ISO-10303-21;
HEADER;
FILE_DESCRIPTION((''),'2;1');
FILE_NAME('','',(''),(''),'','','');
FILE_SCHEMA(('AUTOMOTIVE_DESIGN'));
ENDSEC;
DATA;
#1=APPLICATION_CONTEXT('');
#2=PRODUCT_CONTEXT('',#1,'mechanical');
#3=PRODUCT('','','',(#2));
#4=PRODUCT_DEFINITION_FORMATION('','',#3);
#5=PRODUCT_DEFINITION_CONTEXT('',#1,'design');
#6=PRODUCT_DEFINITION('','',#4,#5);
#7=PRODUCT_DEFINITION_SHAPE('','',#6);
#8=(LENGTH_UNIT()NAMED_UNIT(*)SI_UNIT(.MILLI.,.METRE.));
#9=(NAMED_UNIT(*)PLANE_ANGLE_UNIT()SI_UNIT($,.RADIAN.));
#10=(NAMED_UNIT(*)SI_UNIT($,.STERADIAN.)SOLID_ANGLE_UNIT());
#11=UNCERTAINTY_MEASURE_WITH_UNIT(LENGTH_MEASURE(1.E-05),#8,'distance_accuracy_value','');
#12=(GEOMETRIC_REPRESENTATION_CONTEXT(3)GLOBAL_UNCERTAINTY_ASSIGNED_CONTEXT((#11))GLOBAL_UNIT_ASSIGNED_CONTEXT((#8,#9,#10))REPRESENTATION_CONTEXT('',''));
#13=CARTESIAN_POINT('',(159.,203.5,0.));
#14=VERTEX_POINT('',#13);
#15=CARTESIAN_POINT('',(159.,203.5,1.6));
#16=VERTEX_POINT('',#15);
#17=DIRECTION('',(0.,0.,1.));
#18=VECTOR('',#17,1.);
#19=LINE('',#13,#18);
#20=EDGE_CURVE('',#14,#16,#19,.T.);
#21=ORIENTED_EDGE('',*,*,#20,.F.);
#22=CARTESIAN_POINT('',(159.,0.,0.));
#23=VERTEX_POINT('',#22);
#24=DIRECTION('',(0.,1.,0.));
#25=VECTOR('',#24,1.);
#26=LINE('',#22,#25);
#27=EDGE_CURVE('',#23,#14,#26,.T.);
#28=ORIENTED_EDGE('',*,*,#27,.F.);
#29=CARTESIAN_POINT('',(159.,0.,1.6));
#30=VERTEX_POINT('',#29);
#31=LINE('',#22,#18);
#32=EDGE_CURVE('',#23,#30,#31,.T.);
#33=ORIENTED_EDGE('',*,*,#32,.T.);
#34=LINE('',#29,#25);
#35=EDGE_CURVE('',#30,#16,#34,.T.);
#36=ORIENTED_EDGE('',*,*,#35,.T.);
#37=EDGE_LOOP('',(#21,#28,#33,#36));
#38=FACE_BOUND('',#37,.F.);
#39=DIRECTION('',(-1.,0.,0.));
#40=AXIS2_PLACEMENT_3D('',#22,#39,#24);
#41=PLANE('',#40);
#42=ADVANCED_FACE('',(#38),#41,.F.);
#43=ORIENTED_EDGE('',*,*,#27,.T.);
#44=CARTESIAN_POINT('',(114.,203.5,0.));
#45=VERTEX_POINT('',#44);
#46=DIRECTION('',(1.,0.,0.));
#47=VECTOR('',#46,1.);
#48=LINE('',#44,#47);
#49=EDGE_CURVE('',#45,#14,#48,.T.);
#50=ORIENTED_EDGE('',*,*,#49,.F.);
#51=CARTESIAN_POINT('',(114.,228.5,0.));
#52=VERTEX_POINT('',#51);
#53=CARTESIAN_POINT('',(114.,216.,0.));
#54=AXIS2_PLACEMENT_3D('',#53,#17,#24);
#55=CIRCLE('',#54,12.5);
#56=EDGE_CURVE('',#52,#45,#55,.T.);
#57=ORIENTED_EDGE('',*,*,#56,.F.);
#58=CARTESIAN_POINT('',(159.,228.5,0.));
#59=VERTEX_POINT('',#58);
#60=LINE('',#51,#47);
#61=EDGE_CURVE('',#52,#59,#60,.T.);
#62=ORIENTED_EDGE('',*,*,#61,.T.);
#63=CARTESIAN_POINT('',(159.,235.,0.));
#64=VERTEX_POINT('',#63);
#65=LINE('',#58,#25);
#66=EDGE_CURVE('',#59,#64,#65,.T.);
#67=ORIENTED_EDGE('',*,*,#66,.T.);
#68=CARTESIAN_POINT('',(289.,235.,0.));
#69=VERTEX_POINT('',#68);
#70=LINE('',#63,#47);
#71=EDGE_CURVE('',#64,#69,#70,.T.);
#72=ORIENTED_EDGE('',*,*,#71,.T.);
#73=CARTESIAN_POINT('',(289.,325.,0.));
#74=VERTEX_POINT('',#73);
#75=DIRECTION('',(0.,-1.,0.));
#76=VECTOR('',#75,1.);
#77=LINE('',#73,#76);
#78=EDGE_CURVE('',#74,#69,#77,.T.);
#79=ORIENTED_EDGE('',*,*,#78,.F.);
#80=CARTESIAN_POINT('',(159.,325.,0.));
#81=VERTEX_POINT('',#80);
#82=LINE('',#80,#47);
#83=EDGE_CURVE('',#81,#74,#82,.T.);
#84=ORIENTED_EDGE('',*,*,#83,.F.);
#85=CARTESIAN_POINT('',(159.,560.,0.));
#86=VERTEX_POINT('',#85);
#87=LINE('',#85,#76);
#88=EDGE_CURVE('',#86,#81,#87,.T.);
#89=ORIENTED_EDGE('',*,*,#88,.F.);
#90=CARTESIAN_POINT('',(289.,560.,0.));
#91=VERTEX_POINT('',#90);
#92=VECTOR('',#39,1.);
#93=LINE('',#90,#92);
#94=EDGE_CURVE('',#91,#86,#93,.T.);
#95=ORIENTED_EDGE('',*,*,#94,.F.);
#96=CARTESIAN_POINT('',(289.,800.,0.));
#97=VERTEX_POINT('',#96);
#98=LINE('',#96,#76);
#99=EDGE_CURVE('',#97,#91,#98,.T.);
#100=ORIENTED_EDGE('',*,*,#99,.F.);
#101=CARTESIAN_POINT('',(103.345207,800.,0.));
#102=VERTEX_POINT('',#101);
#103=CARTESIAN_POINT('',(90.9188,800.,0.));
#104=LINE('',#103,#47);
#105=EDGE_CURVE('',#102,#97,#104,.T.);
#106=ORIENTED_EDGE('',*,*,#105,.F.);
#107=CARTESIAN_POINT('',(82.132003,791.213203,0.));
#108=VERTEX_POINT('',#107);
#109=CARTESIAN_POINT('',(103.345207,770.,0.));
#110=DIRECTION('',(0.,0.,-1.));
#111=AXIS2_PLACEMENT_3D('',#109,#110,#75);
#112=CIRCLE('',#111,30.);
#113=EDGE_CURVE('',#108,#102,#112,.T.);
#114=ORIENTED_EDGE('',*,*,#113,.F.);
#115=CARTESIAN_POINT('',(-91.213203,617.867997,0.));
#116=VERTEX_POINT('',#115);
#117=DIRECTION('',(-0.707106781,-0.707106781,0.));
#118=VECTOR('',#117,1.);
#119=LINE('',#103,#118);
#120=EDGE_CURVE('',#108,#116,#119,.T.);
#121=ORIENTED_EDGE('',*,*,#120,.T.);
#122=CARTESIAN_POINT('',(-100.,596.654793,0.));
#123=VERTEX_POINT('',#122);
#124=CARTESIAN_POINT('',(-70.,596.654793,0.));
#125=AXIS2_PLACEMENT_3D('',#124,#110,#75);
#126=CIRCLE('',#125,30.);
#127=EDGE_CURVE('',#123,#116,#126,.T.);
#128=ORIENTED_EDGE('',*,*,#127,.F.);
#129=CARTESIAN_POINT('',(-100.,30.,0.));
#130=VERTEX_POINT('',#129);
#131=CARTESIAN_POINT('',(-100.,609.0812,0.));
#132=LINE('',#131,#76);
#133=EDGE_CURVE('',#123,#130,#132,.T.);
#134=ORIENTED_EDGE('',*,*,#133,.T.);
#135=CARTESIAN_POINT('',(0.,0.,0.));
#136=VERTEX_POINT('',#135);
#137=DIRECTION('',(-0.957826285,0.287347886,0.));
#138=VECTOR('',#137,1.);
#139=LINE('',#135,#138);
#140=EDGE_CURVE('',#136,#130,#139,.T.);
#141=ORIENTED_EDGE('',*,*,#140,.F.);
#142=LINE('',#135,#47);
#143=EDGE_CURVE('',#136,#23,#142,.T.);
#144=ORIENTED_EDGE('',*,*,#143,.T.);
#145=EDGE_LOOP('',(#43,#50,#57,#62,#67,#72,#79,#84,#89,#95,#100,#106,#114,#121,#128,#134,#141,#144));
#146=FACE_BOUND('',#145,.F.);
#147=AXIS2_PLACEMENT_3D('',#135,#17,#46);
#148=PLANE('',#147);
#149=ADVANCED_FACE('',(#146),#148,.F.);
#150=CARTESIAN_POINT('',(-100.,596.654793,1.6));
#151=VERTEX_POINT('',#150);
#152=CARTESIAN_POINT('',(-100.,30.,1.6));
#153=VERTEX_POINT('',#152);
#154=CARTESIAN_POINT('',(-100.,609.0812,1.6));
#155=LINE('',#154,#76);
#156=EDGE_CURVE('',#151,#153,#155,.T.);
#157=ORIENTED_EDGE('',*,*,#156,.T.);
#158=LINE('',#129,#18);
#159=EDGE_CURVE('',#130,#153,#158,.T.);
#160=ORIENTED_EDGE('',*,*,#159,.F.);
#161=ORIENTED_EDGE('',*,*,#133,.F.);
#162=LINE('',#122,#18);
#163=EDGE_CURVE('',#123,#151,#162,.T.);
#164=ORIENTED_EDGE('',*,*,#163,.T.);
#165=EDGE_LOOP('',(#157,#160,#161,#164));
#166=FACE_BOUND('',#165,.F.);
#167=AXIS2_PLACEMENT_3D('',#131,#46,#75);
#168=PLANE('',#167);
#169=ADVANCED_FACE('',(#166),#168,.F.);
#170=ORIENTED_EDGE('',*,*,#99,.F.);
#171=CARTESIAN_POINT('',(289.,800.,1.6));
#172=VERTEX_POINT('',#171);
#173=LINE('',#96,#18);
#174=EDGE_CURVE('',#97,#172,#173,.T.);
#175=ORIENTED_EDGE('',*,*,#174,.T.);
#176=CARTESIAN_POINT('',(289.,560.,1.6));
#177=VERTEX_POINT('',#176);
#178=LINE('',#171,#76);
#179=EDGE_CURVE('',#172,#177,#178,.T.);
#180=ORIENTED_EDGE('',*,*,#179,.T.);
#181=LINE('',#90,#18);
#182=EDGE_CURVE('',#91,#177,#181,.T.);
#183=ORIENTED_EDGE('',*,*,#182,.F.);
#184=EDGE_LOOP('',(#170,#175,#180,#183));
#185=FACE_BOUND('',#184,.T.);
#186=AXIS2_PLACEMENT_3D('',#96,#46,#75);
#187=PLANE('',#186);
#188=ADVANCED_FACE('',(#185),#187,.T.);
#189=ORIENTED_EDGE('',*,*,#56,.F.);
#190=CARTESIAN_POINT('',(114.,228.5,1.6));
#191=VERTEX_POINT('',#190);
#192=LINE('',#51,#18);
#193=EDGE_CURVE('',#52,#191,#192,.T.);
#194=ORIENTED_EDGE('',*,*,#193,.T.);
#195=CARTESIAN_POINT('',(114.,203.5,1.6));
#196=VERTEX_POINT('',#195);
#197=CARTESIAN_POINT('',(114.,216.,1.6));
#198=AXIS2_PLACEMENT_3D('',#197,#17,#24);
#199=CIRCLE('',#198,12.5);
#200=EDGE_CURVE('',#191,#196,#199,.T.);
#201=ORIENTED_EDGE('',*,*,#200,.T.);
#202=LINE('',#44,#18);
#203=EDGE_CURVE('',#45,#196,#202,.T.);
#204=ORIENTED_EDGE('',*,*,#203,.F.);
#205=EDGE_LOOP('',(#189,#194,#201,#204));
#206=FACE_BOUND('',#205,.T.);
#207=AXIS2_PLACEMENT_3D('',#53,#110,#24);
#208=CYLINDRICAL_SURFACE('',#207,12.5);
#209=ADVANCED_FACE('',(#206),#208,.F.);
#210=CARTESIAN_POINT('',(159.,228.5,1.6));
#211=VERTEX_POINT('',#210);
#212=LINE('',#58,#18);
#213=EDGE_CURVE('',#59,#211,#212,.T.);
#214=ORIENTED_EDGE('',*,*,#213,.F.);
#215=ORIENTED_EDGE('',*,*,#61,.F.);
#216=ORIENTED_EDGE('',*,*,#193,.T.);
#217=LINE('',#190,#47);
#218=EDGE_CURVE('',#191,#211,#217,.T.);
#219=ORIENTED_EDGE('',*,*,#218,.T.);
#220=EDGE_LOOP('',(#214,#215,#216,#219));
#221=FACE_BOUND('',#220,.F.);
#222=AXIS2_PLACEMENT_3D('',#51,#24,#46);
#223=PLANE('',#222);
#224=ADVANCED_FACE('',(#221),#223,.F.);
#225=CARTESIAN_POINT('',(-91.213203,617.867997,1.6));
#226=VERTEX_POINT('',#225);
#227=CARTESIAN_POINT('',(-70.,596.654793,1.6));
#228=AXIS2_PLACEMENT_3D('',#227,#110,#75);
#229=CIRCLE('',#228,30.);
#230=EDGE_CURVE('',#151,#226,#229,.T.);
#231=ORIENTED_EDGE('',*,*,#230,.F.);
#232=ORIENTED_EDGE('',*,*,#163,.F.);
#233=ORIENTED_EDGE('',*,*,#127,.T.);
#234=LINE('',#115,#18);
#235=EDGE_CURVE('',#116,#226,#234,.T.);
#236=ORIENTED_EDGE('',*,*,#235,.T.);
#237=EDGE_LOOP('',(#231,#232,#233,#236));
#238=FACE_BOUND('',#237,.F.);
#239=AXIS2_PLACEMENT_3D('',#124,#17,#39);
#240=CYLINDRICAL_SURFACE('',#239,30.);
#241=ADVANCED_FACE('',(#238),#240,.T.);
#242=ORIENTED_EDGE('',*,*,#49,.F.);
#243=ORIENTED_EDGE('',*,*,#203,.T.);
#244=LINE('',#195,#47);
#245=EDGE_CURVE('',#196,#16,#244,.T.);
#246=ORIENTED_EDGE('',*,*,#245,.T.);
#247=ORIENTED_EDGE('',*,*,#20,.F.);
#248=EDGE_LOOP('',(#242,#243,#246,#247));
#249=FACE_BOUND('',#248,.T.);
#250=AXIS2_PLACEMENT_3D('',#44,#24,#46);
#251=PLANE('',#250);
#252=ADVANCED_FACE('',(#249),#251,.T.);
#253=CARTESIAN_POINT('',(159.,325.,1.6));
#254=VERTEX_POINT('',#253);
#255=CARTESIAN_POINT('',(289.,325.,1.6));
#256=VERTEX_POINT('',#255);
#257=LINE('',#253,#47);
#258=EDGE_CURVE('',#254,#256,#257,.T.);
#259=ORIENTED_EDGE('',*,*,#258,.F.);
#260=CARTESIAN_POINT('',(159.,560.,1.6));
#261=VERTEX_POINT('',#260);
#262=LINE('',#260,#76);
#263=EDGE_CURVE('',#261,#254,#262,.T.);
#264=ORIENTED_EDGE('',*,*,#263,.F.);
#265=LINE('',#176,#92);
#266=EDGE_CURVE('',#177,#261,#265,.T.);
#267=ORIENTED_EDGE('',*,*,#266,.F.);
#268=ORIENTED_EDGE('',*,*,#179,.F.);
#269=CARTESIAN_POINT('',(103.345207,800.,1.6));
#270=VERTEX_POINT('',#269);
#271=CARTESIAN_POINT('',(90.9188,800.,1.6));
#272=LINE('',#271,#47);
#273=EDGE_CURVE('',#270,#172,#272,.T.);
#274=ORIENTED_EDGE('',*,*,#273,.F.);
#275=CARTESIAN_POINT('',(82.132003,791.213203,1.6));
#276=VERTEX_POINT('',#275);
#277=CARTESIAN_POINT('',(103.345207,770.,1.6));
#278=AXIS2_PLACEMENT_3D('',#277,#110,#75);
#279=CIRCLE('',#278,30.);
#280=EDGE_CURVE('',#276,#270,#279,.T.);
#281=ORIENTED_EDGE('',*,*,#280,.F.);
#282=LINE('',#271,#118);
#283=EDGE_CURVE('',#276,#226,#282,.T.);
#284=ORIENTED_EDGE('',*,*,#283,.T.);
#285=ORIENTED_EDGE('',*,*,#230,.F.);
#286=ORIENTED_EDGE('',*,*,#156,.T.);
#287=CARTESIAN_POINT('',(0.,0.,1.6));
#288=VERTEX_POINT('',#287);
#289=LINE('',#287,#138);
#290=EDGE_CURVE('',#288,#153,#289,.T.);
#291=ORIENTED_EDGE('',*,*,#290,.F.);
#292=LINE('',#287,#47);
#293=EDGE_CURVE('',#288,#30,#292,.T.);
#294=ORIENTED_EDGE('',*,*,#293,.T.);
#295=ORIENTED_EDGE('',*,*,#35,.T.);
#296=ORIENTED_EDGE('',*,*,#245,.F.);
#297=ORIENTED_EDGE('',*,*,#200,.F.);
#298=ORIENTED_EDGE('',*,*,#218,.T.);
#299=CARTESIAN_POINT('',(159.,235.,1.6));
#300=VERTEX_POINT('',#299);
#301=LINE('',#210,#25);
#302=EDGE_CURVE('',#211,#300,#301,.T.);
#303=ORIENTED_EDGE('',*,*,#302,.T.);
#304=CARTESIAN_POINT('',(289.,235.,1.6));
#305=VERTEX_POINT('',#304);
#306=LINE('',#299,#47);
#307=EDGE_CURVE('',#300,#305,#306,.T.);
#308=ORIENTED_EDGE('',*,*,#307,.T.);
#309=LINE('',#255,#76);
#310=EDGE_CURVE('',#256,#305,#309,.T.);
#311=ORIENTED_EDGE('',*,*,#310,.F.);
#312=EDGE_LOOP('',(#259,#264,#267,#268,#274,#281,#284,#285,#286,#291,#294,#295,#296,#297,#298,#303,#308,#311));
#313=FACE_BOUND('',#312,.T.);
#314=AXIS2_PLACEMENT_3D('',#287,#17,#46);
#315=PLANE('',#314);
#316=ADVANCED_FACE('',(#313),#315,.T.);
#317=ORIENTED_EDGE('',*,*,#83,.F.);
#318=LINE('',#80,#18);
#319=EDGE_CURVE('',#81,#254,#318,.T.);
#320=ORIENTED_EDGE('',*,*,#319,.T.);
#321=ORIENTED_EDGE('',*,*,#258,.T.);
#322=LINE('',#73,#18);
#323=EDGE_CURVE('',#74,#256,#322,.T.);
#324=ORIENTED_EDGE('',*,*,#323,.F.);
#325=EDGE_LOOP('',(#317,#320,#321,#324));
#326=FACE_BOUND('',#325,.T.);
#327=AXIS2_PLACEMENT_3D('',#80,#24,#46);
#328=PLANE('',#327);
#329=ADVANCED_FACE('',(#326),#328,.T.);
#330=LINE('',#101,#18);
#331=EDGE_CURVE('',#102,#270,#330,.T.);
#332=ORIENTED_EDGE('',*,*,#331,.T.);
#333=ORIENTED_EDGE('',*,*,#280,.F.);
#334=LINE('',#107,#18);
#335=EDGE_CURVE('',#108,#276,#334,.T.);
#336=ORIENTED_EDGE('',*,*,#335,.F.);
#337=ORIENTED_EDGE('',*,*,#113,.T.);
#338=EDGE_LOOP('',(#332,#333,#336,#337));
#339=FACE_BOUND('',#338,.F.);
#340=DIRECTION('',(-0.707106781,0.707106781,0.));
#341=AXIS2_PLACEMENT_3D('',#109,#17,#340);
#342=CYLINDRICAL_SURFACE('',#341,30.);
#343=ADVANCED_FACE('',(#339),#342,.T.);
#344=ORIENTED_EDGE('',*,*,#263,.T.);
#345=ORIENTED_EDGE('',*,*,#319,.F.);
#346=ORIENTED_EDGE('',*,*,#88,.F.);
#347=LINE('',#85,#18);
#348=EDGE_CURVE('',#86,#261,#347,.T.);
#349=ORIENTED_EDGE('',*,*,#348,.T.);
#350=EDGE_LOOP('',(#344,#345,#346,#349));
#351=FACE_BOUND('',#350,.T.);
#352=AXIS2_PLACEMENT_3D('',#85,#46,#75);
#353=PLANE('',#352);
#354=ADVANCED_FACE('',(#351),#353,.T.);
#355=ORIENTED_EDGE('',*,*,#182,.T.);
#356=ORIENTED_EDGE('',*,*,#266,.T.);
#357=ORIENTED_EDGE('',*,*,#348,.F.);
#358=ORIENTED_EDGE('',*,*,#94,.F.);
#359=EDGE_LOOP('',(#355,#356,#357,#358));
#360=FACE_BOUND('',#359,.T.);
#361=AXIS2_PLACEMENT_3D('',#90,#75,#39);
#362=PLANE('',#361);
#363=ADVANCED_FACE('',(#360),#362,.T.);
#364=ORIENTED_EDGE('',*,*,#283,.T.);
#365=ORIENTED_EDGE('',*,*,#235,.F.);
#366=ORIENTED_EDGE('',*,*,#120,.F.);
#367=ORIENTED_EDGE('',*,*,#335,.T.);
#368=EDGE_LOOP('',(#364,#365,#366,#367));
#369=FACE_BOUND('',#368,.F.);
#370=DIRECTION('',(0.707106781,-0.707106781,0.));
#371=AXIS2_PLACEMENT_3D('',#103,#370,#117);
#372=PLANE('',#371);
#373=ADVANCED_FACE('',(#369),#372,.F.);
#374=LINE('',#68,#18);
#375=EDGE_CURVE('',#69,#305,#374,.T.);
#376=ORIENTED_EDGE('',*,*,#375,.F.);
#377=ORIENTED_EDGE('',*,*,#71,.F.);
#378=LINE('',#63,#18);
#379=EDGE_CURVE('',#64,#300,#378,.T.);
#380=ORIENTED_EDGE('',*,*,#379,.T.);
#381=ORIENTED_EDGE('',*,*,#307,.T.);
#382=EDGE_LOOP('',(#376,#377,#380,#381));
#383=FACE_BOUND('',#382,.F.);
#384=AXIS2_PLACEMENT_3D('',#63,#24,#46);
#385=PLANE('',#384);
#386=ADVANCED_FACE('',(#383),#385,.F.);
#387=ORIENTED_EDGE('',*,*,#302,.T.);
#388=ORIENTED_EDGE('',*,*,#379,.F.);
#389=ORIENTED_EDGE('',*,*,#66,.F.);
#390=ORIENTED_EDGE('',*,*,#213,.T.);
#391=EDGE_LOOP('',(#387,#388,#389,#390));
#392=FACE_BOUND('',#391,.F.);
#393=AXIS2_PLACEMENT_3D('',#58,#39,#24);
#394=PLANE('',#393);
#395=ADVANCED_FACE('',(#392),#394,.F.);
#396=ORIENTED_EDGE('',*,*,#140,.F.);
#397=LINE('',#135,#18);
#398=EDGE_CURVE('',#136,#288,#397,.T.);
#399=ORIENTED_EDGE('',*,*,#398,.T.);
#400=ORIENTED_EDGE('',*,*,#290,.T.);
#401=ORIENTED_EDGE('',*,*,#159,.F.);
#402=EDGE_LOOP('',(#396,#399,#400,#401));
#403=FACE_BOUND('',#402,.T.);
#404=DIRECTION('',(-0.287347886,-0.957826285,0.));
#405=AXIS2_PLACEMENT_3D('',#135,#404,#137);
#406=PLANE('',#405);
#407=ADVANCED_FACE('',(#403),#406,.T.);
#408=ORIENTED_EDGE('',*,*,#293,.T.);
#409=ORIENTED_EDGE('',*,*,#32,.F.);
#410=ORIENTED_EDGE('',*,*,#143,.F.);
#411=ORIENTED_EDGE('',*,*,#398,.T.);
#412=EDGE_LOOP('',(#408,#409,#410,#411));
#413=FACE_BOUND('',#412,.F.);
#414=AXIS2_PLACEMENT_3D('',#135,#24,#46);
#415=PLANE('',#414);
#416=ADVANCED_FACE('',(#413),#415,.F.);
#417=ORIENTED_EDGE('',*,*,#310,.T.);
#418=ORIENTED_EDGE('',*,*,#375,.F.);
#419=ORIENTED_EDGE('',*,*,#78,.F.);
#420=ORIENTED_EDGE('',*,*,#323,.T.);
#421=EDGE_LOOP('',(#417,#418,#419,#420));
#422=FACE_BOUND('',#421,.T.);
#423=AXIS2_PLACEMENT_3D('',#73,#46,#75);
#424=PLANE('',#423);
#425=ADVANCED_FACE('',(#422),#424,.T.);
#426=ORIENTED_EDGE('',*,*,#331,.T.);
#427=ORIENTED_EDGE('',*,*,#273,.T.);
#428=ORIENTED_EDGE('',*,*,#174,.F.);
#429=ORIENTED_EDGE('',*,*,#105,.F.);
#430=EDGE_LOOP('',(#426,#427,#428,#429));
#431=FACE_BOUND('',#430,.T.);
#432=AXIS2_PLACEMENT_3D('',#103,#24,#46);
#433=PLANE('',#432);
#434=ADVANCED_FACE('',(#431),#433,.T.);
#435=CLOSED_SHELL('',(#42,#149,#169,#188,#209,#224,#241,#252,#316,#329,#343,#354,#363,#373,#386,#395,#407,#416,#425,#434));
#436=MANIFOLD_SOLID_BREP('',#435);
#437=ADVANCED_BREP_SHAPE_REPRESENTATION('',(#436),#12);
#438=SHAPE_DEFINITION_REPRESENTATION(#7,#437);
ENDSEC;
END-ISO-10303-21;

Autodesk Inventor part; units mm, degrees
ref_plane "YZ Plane" through (0, 0, 0) normal (1, 0, 0) x (0, 1, 0)
ref_plane "XZ Plane" through (0, 0, 0) normal (0, 1, 0) x (-1, 0, 0)
ref_plane "XY Plane" through (0, 0, 0) normal (0, 0, 1) x (1, 0, 0)
sketch "Sketch1" plane through (0, 0, 0) normal (0, 0, 1) x (1, 0, 0)
  line L0 (0, 0) -> (159, 0)
  line L1 (0, 0) -> (-100, 30)
  line L2 (0, 0) -> (236.9147, 0) construction
  line L3 (-100, 609.0812) -> (-100, 30)
  line L4 (90.9188, 800) -> (289, 800)
  line L5 (289, 800) -> (289, 560)
  line L6 (289, 560) -> (159, 560)
  line L7 (159, 235) -> (289, 235)
  line L8 (289, 325) -> (289, 235)
  line L9 (114, 203.5) -> (159, 203.5)
  line L10 (114, 228.5) -> (159, 228.5)
  arc A0 (114, 228.5) -> (114, 203.5) centre (114, 216) ccw
  line L11 (159, 0) -> (159, 203.5)
  line L12 (159, 228.5) -> (159, 235)
  line L13 (159, 560) -> (159, 325)
  line L14 (159, 325) -> (289, 325)
  line L15 (90.9188, 800) -> (-100, 609.0812)
  line L16 (90.9188, 800) -> (360.9188, 800) construction
  dimension "d0" = 159
  dimension "d3" = 100
  dimension "d6" = 800
  dimension "d7" = 240
  dimension "d8" = 130
  dimension "d11" = 235
  dimension "d14" = 25
  dimension "d16" = 216
  dimension "d18" = 45
  dimension "d19" = 389
  dimension "d22" = 130
  dimension "d23" = 235
  dimension "d25" = 30
  dimension "d26" = 270
  dimension "d27" = 135
extrude "Extrusion1" add sketch "Sketch1" along normal blind 1.6
fillet "Fillet1" radius 30 2 edges at (-100, 609.0812, 0.8) (90.9188, 800, 0.8)
equation "\"d22\" = d8"
equation "\"BendRadius\" = Thickness"
equation "\"BendReliefWidth\" = Thickness"
equation "\"BendReliefDepth\" = 0.5 * Thickness"
equation "\"CornerReliefSize\" = 4 * Thickness"
equation "\"MinimumRemnant\" = 2 * Thickness"
equation "\"TransitionRadius\" = BendRadius"
equation "\"JacobiRadiusSize\" = Thickness"
equation "\"GapSize\" = Thickness"
equation "\"Thickness\" = 0.5"
properties part number "Gearbox-Side Cover Part 1" material "Steel"
